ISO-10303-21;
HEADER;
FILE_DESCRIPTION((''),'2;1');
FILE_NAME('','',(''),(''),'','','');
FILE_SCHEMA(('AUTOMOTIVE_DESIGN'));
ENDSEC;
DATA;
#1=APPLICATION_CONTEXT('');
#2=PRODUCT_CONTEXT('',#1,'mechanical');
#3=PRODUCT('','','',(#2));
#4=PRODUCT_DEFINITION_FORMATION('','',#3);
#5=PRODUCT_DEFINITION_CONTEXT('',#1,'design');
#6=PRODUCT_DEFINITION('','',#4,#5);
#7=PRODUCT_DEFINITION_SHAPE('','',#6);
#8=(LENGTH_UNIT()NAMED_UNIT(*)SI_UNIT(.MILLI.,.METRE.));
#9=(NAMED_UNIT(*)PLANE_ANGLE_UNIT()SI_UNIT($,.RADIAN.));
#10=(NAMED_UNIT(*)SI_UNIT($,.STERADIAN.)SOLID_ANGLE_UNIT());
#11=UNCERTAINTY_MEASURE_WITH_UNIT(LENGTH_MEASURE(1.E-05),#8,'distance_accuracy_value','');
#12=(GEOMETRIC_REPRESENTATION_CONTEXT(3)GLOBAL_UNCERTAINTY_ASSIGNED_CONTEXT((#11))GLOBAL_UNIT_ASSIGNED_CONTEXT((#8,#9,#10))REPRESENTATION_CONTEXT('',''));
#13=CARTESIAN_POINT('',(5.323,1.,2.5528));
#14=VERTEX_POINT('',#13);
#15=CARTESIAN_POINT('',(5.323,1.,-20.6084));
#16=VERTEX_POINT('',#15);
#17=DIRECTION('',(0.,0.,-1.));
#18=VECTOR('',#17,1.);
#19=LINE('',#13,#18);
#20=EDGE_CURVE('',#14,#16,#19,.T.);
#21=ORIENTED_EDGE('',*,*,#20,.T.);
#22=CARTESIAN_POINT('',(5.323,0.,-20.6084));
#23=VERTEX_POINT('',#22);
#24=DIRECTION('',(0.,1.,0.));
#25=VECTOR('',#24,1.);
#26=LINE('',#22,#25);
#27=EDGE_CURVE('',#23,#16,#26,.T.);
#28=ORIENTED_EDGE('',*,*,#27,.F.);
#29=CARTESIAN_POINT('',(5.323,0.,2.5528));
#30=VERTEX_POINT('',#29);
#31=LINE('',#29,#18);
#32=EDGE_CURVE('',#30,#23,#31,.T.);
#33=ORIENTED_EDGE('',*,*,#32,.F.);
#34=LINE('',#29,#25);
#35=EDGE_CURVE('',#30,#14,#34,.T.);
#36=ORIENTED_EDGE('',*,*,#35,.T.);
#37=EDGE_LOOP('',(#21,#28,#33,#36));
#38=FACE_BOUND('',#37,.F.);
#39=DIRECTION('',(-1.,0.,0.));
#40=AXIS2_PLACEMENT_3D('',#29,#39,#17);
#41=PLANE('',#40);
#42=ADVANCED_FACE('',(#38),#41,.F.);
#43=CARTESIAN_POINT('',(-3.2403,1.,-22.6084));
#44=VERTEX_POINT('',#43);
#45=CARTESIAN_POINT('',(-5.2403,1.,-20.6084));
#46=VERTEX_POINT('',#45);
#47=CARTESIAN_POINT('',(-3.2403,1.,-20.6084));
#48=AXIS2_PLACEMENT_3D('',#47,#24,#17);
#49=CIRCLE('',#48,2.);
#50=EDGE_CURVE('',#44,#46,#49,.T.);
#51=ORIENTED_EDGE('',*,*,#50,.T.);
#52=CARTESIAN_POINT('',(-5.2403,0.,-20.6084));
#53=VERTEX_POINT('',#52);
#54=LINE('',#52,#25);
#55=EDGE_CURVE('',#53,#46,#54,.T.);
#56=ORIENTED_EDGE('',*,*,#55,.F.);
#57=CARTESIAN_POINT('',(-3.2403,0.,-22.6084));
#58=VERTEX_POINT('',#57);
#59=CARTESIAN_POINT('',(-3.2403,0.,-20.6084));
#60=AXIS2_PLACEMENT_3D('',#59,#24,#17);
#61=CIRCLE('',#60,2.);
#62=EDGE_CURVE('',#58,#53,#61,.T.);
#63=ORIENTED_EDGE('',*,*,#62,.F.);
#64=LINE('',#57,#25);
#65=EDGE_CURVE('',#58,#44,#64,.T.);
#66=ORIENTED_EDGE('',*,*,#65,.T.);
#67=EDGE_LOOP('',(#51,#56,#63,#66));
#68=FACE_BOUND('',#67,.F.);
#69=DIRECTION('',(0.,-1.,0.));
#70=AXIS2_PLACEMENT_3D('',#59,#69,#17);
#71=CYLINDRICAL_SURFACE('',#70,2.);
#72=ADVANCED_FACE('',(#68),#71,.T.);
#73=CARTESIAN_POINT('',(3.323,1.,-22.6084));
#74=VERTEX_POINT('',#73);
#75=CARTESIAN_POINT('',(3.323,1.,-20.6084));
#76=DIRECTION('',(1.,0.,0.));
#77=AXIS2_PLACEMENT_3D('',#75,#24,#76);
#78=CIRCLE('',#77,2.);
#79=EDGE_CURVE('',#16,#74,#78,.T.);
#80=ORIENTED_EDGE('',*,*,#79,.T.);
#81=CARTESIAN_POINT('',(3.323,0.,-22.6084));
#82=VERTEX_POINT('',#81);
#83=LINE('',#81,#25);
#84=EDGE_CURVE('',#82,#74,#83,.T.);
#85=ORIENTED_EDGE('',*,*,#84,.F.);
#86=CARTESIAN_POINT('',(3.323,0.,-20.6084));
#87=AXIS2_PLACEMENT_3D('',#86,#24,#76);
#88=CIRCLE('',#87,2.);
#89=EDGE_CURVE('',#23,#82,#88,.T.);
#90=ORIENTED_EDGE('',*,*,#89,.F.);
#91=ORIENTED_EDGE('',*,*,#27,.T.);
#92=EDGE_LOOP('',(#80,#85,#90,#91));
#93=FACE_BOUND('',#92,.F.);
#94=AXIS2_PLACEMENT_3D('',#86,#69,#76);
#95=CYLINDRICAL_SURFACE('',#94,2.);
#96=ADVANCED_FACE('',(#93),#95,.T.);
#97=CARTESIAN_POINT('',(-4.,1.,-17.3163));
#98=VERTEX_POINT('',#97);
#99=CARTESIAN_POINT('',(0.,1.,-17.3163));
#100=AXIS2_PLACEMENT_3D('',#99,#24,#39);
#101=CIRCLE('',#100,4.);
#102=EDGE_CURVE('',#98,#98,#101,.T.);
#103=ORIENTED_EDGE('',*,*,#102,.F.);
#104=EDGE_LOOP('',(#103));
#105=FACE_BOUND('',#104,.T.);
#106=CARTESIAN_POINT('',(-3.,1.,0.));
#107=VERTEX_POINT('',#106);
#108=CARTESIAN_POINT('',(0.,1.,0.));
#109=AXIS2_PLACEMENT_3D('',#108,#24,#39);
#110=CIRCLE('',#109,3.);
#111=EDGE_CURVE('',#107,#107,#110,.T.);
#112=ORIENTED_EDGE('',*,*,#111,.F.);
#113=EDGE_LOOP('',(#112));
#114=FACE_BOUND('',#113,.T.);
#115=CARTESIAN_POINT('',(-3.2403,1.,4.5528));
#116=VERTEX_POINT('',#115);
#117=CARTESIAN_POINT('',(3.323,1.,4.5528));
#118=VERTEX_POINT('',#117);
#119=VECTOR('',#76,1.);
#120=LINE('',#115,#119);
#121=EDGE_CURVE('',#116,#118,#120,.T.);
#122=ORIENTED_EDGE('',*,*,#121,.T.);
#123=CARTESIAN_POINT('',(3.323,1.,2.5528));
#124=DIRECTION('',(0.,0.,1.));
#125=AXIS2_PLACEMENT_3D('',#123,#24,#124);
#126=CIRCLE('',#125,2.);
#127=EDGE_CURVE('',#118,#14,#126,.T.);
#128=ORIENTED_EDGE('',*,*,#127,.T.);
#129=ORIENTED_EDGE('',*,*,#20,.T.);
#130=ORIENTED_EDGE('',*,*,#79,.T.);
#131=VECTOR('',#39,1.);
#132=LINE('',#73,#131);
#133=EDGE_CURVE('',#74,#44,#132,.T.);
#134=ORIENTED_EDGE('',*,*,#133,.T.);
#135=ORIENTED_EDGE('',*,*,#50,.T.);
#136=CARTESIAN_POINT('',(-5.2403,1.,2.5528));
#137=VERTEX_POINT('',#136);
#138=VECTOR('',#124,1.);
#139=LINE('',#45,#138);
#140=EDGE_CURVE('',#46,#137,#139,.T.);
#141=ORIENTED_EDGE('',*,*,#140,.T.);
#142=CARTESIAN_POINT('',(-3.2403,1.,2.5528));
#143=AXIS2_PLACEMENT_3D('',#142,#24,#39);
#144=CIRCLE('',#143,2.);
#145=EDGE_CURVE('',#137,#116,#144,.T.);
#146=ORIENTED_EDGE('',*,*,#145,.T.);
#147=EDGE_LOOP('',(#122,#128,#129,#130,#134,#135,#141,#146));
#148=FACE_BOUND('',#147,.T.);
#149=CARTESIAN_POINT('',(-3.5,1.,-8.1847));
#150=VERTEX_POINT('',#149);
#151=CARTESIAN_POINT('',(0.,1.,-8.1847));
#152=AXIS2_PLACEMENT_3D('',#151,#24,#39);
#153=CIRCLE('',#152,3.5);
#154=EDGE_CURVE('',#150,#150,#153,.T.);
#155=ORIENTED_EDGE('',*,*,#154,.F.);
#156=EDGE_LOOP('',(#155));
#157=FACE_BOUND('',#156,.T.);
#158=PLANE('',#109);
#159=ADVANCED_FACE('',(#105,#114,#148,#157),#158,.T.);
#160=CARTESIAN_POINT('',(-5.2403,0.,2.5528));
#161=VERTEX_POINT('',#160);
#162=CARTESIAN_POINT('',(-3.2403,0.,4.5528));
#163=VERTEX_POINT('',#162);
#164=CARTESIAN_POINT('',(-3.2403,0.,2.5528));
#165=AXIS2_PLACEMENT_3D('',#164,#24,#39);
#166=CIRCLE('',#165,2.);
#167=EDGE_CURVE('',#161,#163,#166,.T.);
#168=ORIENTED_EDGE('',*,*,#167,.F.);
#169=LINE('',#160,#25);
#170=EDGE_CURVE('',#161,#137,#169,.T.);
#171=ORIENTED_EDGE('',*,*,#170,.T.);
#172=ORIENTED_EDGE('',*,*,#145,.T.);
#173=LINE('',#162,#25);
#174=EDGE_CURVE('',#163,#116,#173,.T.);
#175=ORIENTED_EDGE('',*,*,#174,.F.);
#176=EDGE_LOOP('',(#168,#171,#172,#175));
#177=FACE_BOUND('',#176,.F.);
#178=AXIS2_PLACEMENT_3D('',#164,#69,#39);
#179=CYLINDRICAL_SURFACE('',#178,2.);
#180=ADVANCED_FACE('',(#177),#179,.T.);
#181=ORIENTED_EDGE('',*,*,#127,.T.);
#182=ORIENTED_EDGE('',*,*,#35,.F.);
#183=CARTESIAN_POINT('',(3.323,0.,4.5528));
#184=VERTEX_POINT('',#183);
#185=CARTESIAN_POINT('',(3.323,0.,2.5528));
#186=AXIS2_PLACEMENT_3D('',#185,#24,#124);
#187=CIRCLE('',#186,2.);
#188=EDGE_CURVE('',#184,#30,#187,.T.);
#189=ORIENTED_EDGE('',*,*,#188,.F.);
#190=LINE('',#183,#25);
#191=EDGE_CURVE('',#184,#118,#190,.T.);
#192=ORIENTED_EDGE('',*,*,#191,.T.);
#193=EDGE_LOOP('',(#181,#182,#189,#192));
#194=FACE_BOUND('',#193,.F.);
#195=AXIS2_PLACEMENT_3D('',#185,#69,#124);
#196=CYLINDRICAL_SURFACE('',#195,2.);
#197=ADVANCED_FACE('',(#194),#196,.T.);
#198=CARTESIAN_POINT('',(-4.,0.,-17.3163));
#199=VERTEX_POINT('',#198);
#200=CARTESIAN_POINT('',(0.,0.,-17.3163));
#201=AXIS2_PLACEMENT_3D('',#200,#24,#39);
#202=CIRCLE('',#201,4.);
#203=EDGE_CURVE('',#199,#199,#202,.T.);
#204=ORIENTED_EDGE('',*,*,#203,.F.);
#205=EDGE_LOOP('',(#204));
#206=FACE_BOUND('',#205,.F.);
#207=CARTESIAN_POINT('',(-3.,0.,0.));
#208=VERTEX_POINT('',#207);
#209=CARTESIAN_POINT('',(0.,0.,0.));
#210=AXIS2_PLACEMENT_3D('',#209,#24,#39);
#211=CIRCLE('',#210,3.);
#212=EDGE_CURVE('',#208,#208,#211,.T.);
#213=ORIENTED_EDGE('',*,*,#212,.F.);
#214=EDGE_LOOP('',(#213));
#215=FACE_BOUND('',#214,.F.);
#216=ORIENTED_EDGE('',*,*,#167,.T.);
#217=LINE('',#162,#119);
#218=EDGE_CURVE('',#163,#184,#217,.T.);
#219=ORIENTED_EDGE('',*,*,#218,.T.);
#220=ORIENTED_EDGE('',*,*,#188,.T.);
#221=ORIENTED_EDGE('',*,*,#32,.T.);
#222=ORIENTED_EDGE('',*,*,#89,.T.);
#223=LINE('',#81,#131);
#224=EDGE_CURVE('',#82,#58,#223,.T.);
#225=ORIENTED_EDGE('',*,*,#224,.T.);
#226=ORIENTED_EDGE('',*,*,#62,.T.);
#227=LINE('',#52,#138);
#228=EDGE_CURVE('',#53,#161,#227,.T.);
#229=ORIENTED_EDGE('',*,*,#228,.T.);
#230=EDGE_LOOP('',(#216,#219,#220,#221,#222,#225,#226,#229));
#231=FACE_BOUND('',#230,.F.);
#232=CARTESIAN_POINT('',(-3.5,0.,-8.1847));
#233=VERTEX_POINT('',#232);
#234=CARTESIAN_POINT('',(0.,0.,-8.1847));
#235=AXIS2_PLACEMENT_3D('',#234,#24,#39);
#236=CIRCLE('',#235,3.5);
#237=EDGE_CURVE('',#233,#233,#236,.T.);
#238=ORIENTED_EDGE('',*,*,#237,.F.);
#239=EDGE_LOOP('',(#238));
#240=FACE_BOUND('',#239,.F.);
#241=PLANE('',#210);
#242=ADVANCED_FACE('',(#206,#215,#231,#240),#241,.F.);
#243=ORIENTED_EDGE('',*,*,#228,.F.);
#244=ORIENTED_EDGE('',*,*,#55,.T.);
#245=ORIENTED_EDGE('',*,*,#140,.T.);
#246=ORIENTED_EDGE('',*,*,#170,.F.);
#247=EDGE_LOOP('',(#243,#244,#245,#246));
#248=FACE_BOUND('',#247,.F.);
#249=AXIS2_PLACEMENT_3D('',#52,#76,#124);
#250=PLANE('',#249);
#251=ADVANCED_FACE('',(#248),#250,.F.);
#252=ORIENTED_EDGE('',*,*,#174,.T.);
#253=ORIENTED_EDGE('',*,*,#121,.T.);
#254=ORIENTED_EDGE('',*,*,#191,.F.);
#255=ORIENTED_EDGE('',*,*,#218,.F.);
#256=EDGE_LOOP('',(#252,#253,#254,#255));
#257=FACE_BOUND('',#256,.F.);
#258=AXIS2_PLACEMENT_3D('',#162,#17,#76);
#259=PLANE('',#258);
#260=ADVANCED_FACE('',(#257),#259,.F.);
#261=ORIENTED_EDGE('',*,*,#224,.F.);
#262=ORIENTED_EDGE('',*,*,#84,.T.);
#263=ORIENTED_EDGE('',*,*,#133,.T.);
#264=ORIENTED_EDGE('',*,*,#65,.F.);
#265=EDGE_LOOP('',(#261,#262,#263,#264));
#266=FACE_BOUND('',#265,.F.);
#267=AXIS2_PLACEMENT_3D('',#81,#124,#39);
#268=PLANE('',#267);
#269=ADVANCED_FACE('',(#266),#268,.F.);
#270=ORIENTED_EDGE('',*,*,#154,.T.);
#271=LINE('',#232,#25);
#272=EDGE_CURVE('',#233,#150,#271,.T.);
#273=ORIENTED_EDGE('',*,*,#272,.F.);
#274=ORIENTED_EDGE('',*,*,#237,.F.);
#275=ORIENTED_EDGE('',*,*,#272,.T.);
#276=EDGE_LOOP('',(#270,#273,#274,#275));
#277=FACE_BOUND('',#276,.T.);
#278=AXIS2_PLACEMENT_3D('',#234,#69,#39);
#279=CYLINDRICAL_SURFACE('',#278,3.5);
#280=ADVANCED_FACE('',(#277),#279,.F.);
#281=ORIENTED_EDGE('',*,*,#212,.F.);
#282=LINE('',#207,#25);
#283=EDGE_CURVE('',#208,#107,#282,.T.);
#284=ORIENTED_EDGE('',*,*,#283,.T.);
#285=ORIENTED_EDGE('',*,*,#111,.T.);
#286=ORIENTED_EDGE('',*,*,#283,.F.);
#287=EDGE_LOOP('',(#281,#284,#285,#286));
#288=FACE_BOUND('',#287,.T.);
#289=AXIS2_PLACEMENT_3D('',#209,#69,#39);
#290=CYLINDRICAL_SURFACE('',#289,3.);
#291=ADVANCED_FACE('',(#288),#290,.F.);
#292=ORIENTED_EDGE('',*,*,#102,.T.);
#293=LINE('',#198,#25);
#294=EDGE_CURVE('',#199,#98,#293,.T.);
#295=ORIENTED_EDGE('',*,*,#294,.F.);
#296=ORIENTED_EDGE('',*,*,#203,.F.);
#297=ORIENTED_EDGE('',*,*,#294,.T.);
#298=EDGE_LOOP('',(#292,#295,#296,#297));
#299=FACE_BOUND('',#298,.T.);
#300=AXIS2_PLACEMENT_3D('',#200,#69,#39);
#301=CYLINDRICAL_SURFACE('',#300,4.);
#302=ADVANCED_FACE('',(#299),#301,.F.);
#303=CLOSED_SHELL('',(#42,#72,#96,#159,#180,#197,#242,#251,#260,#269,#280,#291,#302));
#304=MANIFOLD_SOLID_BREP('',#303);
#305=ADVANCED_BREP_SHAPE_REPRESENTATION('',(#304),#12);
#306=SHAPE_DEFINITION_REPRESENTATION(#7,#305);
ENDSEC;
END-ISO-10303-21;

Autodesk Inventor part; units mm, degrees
ref_plane "YZ Plane" through (0, 0, 0) normal (1, 0, 0) x (0, 1, 0)
ref_plane "XZ Plane" through (0, 0, 0) normal (0, 1, 0) x (-1, 0, 0)
ref_plane "XY Plane" through (0, 0, 0) normal (0, 0, 1) x (1, 0, 0)
sketch "スケッチ2" plane through (0, 0, 0) normal (0, 1, 0) x (-1, 0, 0)
  circle A0 centre (0, 0) radius 3
  circle A1 centre (0, -8.1847) radius 3.5
  circle A2 centre (0, -17.3163) radius 4
  line L0 (3.2403, 4.5528) -> (-3.323, 4.5528)
  line L1 (-5.323, 2.5528) -> (-5.323, -20.6084)
  line L2 (-3.323, -22.6084) -> (3.2403, -22.6084)
  line L3 (5.2403, -20.6084) -> (5.2403, 2.5528)
  arc A3 (3.2403, -22.6084) -> (5.2403, -20.6084) centre (3.2403, -20.6084) ccw
  arc A4 (-5.323, -20.6084) -> (-3.323, -22.6084) centre (-3.323, -20.6084) ccw
  arc A5 (5.2403, 2.5528) -> (3.2403, 4.5528) centre (3.2403, 2.5528) ccw
  arc A6 (-3.323, 4.5528) -> (-5.323, 2.5528) centre (-3.323, 2.5528) ccw
  dimension "d34" = 6
  dimension "d35" = 7
  dimension "d36" = 8
  dimension "d37" = 2
extrude "押し出し3" add sketch "スケッチ2" along normal blind 1
properties part number "baicPart" material "アルミニウム"
